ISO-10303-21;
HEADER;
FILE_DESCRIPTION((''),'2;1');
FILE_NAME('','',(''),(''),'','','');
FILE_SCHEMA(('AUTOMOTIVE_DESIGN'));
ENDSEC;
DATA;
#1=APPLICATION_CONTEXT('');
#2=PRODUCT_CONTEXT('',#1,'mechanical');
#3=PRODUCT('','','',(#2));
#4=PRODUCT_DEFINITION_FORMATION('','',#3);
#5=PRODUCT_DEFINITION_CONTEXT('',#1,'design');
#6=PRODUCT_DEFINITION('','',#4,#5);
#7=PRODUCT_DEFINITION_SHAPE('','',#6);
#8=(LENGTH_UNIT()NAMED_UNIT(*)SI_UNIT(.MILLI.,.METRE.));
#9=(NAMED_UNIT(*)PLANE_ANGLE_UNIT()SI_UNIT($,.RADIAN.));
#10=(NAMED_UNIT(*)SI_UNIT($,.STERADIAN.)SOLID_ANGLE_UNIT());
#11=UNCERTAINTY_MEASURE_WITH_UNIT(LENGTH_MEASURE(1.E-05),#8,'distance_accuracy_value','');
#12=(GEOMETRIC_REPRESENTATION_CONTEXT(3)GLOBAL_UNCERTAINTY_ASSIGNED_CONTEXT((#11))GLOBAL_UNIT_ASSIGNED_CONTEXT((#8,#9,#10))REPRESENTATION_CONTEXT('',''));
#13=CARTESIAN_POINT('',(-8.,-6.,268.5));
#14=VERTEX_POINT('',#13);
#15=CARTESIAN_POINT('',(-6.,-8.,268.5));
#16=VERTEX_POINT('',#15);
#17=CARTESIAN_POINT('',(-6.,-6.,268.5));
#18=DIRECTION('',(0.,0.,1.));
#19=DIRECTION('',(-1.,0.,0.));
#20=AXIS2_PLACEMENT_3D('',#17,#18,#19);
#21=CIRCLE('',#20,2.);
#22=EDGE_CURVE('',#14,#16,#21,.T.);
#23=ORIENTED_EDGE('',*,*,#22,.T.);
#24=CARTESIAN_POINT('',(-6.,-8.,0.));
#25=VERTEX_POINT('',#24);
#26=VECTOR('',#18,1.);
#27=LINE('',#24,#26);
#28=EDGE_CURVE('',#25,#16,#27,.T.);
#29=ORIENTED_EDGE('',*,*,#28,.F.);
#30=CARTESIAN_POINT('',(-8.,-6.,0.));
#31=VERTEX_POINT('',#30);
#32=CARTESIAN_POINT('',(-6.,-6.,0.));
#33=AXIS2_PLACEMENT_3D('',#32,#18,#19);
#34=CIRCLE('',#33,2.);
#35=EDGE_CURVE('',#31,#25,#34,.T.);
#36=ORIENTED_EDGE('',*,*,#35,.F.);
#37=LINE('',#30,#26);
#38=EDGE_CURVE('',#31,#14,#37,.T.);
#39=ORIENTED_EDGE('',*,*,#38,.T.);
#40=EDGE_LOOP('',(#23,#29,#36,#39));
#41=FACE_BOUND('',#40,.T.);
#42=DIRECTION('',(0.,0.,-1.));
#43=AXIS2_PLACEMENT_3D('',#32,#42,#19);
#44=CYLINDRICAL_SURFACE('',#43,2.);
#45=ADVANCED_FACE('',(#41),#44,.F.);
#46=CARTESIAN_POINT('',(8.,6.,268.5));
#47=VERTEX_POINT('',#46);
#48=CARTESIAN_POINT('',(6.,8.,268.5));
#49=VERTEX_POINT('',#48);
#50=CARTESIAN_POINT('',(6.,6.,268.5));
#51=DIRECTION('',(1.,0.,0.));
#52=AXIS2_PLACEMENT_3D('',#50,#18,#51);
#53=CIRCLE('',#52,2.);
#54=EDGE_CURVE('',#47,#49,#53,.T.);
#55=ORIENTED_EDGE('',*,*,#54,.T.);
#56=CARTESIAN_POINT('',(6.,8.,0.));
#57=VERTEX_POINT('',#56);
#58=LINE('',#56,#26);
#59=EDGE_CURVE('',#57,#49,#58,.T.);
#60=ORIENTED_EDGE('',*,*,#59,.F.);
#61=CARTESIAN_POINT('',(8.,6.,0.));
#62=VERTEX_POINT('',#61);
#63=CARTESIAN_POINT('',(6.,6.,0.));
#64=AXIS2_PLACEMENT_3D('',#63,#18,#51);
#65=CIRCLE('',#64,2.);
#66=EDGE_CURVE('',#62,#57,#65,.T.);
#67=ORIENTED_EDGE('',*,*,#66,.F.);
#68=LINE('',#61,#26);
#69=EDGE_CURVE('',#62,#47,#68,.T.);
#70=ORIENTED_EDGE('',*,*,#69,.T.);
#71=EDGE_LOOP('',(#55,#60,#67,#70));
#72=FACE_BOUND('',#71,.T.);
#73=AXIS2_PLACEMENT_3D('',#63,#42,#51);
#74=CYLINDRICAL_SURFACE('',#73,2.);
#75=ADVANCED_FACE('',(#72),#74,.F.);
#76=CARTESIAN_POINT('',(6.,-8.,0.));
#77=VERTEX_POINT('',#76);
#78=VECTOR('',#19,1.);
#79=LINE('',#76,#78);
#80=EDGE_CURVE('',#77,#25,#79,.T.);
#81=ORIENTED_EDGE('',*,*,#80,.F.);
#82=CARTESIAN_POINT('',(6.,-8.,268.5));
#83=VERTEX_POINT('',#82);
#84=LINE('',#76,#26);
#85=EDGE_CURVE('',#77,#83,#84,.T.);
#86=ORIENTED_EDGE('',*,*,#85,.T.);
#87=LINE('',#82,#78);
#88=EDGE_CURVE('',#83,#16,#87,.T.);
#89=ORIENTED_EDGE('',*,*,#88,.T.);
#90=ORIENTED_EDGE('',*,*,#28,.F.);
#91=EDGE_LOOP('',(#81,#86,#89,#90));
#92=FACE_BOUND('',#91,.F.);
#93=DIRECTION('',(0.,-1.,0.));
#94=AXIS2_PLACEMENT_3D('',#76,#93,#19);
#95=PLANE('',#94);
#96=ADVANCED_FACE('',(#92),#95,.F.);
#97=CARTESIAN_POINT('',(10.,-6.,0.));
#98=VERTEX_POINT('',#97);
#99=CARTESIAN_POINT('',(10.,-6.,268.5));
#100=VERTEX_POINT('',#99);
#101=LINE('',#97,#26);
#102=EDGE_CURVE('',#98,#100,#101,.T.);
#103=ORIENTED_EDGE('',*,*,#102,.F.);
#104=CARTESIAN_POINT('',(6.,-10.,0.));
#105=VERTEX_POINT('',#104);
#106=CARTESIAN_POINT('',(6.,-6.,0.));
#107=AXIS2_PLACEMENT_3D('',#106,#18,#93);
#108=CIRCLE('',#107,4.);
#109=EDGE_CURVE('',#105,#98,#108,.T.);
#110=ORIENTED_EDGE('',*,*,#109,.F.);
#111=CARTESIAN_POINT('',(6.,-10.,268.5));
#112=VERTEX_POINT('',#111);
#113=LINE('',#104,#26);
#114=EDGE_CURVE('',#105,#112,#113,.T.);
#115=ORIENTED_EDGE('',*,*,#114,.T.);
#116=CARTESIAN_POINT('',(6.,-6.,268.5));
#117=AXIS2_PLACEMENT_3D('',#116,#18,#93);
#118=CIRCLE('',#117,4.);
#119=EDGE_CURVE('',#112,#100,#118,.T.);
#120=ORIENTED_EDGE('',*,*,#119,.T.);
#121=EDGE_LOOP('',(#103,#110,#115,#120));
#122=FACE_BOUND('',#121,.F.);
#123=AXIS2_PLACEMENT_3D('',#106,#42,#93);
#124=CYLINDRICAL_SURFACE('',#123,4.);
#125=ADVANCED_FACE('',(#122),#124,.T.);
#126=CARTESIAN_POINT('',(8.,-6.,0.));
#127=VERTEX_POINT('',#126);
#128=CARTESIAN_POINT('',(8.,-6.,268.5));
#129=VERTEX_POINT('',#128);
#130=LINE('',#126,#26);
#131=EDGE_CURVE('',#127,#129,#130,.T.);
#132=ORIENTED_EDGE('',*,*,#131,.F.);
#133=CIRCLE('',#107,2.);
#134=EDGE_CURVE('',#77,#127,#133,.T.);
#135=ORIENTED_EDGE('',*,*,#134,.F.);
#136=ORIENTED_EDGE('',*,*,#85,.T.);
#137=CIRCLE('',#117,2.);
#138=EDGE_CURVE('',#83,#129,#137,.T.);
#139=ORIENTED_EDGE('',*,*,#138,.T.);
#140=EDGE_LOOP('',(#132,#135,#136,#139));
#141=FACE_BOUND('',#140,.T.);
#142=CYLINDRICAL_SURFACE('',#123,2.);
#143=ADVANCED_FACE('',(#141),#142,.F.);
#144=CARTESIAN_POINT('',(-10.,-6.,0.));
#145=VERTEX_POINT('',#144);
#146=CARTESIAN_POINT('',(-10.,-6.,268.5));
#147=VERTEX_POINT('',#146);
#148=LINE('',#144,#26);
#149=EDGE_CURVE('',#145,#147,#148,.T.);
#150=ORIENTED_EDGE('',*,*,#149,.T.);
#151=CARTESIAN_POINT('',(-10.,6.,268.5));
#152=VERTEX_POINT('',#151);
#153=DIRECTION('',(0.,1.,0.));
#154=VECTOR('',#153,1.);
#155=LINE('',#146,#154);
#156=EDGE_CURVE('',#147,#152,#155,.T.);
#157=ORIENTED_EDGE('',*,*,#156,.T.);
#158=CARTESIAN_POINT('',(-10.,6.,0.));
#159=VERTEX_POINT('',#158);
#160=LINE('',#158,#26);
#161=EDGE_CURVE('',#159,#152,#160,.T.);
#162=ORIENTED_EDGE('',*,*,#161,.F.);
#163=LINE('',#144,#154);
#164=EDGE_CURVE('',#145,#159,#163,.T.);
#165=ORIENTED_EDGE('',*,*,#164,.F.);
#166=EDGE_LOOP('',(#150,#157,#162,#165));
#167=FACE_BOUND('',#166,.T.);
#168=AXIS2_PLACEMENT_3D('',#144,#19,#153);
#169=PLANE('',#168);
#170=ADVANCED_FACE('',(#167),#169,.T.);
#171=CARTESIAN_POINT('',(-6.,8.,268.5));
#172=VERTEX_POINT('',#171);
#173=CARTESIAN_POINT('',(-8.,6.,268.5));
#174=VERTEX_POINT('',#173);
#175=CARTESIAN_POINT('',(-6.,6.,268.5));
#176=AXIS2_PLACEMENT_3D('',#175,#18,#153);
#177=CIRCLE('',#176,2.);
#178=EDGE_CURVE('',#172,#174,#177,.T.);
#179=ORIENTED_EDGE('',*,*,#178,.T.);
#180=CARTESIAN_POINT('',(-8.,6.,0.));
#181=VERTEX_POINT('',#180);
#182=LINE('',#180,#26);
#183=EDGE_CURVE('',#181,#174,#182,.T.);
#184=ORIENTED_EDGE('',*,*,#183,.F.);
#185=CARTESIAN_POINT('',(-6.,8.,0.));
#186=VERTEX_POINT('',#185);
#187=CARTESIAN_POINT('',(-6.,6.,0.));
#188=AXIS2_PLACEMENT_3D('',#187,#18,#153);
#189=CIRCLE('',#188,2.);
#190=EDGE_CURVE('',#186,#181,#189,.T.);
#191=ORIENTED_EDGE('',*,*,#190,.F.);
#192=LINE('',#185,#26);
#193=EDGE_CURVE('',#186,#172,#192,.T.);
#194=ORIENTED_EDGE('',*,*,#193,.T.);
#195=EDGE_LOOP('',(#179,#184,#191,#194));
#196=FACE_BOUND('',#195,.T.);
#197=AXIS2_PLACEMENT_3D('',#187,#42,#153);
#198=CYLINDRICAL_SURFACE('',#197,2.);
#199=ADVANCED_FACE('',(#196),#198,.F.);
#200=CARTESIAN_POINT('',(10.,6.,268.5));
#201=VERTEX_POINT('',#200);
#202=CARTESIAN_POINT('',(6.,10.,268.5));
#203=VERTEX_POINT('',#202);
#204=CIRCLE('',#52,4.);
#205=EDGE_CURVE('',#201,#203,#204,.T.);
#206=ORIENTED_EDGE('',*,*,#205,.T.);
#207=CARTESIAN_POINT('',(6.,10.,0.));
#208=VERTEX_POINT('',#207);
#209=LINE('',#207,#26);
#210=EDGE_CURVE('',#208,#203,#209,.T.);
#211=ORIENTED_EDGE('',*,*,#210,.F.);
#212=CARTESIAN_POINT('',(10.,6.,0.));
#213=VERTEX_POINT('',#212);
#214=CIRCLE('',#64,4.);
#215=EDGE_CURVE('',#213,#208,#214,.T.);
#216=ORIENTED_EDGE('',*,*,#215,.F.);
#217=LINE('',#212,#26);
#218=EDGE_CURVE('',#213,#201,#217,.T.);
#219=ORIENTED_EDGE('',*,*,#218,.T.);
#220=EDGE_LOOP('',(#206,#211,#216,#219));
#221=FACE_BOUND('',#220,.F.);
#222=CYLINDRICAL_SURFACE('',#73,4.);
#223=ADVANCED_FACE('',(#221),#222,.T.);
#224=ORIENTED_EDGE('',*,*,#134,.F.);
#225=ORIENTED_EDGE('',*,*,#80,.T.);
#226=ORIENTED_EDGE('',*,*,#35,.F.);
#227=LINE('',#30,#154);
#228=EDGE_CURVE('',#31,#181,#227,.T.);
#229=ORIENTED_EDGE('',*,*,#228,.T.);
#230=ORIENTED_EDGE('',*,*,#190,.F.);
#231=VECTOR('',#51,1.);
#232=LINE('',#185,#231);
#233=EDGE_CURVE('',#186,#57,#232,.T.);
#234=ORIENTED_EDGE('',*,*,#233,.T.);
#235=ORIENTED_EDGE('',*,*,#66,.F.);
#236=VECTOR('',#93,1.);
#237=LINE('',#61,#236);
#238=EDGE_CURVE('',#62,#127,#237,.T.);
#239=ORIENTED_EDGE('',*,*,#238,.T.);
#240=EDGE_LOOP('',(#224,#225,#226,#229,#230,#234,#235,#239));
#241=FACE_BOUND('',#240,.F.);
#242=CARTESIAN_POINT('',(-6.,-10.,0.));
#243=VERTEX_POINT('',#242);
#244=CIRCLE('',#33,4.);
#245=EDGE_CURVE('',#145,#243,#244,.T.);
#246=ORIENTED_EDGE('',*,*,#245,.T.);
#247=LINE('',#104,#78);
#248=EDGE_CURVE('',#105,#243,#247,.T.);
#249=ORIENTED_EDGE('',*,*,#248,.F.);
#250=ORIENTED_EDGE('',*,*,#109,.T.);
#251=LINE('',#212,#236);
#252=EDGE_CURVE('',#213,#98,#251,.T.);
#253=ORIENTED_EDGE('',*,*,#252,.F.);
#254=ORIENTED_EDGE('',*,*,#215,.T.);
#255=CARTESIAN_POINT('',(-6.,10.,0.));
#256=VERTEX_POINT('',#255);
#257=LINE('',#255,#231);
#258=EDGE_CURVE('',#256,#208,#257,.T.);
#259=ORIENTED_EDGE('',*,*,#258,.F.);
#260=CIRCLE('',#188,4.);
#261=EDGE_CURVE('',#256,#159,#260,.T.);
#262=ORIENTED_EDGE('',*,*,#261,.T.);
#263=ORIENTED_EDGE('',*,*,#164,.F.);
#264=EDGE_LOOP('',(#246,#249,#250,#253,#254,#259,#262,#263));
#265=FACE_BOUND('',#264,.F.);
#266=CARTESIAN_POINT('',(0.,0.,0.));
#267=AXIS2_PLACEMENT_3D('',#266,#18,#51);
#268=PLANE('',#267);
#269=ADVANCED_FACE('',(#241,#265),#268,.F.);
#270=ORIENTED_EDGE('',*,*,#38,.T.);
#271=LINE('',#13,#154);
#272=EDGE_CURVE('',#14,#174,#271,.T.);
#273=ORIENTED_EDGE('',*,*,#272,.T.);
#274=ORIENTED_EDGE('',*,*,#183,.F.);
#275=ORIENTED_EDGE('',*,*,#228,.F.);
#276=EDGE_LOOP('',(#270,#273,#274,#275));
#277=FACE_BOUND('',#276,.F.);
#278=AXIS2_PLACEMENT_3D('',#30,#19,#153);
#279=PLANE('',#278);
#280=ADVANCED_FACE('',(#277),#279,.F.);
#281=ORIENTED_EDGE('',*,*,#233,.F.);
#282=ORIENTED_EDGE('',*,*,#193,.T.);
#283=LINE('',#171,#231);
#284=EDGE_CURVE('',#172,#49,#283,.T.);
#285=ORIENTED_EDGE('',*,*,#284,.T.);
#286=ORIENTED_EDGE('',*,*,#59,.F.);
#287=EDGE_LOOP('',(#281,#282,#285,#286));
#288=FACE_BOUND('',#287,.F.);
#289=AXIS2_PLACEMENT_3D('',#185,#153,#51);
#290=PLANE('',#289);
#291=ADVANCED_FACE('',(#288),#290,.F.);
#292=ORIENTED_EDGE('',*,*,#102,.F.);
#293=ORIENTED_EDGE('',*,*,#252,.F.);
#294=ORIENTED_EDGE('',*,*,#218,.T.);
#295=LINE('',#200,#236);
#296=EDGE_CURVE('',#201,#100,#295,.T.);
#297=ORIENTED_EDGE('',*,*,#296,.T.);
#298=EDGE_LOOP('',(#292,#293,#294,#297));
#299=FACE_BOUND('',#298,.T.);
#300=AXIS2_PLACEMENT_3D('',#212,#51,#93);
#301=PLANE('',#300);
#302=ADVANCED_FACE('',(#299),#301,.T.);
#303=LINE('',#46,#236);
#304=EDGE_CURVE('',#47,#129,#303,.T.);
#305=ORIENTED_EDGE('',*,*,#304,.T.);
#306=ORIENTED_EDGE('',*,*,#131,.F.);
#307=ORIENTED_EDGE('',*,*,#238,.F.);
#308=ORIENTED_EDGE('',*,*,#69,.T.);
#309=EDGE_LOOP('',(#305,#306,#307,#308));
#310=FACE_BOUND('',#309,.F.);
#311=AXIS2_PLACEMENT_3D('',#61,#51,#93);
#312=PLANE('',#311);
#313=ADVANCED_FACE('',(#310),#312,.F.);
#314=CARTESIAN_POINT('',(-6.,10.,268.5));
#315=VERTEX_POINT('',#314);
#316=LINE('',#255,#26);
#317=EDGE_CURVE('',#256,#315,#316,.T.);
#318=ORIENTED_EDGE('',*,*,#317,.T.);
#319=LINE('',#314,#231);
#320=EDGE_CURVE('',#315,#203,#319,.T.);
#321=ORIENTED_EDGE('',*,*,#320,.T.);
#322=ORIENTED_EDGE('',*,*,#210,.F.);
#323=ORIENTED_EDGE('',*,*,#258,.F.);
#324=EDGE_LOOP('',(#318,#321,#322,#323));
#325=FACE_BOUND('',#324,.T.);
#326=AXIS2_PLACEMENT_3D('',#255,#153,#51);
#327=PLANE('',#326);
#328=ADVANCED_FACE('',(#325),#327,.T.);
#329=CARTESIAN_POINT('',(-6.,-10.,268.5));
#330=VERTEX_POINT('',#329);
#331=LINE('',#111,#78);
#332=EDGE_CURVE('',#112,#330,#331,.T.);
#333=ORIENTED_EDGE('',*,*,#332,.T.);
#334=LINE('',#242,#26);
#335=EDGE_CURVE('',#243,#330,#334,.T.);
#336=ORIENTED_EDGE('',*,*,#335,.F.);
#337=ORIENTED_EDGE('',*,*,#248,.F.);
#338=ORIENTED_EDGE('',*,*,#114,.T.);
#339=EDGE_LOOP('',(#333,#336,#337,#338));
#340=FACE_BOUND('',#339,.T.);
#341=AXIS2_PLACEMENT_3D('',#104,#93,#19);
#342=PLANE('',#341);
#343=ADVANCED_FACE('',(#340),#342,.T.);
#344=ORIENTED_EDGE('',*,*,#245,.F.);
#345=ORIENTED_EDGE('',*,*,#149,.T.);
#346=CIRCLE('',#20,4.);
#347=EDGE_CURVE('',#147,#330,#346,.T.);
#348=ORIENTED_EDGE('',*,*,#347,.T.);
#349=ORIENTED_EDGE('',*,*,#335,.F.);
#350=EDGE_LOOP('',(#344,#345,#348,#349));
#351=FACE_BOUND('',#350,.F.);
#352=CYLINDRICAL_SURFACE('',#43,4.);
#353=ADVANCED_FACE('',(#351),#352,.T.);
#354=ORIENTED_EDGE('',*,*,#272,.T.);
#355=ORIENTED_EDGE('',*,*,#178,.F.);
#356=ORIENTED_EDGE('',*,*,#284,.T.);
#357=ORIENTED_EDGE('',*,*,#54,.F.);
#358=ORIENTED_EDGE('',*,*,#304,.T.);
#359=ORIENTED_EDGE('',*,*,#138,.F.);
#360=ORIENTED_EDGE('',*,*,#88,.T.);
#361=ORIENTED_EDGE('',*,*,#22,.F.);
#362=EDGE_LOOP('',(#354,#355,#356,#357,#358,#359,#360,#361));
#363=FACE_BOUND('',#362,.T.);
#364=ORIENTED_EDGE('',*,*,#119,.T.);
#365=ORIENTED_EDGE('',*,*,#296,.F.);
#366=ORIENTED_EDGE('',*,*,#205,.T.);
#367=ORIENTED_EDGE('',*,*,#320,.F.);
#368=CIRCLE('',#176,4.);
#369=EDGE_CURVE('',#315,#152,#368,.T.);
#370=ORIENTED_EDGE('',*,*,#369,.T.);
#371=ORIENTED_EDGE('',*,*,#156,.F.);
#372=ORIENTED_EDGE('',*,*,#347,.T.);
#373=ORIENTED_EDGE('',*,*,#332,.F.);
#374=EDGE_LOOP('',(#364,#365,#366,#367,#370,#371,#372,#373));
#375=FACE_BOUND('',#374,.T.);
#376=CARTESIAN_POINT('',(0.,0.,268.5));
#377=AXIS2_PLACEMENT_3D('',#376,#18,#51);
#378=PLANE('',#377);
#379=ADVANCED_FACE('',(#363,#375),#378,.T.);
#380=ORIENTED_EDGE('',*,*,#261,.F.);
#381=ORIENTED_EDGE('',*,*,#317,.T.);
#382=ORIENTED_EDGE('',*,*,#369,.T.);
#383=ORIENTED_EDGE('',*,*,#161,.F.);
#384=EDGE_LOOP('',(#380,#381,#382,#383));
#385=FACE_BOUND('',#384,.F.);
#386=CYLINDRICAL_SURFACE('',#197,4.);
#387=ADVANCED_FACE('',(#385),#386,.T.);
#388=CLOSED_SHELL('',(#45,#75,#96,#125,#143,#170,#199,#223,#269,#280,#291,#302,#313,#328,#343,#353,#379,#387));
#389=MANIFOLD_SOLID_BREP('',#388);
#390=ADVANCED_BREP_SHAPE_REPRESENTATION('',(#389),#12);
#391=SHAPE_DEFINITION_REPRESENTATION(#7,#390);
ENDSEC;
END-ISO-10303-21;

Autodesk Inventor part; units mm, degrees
ref_plane "YZ Plane" through (0, 0, 0) normal (1, 0, 0) x (0, 1, 0)
ref_plane "Plan de départ" through (0, 0, 0) normal (0, 0, 1) x (1, 0, 0)
ref_plane "Plan de fin" through (0, 0, 268.5) normal (0, 0, 1) x (1, 0, 0)
sketch "Esquisse" plane through (0, 0, 0) normal (0, 0, 1) x (1, 0, 0)
  line L0 (-10, -6) -> (-10, 6)
  line L1 (-6, 10) -> (6, 10)
  line L2 (10, 6) -> (10, -6)
  line L3 (6, -10) -> (-6, -10)
  arc A0 (-10, -6) -> (-6, -10) centre (-6, -6) ccw
  arc A1 (10, 6) -> (6, 10) centre (6, 6) ccw
  arc A2 (-6, 10) -> (-10, 6) centre (-6, 6) ccw
  arc A3 (6, -10) -> (10, -6) centre (6, -6) ccw
  arc A4 (-6, 8) -> (-8, 6) centre (-6, 6) ccw
  line L4 (-6, 8) -> (6, 8)
  arc A5 (8, 6) -> (6, 8) centre (6, 6) ccw
  line L5 (8, 6) -> (8, -6)
  arc A6 (6, -8) -> (8, -6) centre (6, -6) ccw
  line L6 (6, -8) -> (-6, -8)
  arc A7 (-8, -6) -> (-6, -8) centre (-6, -6) ccw
  line L7 (-8, -6) -> (-8, 6)
  line L8 (0, 15.1598) -> (0, -15.1598) construction
  line L9 (-15.1598, 0) -> (15.1598, 0) construction
  dimension "d7" = 4
  dimension "d9" = 20
  dimension "d11" = 20
  dimension "d12" = 2
  dimension "d15" = 10
  dimension "d16" = 10
extrude "Corps" add sketch "Esquisse" along normal up to surface (268.5 mm away) from surface at 0
sketch "Sketch3" plane through (0, 0, 0) normal (0, 0, 1) x (1, 0, 0)
  line L0 (0, 0) -> (10, 0)
ref_plane "Work Plane3" through (0, 0, 0) normal (0, -1, 0) x (1, 0, 0)
sketch "Sketch4" plane through (0, 0, 0) normal (0, -1, 0) x (1, 0, 0)
  line L0 (-2, 0) -> (12, 0) projected
  line L1 (-2, 268.5) -> (12, 268.5) projected
  dimension "d18" = 268.5
equation "\"d7\" = G_IR"
equation "\"d9\" = G_W"
equation "\"d11\" = G_H"
equation "\"d12\" = G_T"
equation "\"d15\" = 0.5 * d9"
equation "\"d16\" = 0.5 * d11"
equation "\"d3\" = G_L"
equation "\"G_W\" = 20"
equation "\"G_H\" = 20"
equation "\"G_T\" = 2"
equation "\"G_IR\" = 4"
equation "\"G_L\" = d18"
equation "\"G_OFFSET_START\" = 0"
equation "\"G_OFFSET_END\" = 0"
equation "\"d14\" = G_OFFSET_END + B_L"
equation "\"B_L\" = 268.5"
properties part number "ISO 10799-2 - 20x20x2 - 268,5" material "Acier, doux"
